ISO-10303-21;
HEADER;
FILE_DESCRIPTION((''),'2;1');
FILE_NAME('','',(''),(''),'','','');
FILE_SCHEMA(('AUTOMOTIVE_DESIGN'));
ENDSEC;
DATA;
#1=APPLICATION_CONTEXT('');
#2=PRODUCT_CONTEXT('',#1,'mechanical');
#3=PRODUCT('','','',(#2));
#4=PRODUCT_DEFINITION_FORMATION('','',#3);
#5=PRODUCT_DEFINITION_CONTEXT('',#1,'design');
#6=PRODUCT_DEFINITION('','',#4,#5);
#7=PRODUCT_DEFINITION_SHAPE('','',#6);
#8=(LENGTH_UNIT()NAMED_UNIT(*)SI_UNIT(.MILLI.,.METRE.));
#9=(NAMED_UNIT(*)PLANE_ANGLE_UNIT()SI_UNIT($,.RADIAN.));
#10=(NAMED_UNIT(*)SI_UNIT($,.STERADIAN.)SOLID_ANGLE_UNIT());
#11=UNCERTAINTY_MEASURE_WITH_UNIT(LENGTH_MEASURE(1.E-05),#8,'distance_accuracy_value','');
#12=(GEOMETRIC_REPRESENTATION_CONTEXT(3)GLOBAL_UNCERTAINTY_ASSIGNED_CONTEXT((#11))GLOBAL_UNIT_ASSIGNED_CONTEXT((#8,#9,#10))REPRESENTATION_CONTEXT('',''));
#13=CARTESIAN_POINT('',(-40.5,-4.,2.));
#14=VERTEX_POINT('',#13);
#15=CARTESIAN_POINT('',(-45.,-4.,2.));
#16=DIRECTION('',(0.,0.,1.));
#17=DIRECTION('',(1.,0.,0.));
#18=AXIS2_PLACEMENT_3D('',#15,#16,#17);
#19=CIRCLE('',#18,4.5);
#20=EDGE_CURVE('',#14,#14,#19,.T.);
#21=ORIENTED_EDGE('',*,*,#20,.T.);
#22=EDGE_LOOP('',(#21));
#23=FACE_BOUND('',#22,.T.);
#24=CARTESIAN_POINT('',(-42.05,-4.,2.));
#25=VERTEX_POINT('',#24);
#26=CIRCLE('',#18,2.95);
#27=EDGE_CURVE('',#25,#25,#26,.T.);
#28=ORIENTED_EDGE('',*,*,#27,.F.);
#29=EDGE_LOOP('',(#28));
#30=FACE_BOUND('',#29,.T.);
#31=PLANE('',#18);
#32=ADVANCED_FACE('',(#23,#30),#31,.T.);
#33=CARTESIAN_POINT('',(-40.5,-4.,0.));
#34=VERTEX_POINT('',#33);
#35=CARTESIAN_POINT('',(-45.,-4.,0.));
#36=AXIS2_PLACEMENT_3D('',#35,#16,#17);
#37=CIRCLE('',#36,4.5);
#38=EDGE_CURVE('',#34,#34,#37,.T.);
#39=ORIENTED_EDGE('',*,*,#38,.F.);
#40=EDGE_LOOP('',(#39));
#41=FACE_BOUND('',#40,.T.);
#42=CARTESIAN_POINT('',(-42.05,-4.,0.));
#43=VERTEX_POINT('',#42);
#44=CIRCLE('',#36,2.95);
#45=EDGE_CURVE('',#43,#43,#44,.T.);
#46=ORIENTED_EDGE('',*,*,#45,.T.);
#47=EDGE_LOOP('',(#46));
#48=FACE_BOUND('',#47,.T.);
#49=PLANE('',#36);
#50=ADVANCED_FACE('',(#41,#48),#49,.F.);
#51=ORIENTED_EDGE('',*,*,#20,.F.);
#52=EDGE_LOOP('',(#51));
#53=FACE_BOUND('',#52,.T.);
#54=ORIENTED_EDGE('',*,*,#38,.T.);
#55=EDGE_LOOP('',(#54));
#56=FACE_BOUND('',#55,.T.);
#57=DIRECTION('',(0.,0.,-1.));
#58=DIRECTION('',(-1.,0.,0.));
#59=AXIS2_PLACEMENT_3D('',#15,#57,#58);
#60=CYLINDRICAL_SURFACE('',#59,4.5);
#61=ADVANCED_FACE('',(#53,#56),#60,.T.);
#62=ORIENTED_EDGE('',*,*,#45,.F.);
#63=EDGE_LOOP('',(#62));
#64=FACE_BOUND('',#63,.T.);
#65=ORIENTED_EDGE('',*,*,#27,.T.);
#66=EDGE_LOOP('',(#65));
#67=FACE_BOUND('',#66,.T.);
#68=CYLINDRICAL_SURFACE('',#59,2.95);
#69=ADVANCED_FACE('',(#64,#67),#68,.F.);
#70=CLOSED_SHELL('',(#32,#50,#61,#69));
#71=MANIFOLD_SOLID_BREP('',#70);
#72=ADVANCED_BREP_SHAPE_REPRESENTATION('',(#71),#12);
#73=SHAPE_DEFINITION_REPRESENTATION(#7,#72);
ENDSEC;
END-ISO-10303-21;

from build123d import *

# Parameters (mm, degrees)
MODEL_R             = 4.5
MODEL_R_2           = 2.95
BOSS_EXTRUDE1_DEPTH = 2


with BuildPart() as part:
    # Model → Boss-Extrude1 (new body)
    with BuildSketch(Plane.XY):
        with Locations((-45, -4)):
            Circle(MODEL_R)
        with Locations((-45, -4)):
            Circle(MODEL_R_2, mode=Mode.SUBTRACT)
    extrude(amount=BOSS_EXTRUDE1_DEPTH)


solid = part.part
